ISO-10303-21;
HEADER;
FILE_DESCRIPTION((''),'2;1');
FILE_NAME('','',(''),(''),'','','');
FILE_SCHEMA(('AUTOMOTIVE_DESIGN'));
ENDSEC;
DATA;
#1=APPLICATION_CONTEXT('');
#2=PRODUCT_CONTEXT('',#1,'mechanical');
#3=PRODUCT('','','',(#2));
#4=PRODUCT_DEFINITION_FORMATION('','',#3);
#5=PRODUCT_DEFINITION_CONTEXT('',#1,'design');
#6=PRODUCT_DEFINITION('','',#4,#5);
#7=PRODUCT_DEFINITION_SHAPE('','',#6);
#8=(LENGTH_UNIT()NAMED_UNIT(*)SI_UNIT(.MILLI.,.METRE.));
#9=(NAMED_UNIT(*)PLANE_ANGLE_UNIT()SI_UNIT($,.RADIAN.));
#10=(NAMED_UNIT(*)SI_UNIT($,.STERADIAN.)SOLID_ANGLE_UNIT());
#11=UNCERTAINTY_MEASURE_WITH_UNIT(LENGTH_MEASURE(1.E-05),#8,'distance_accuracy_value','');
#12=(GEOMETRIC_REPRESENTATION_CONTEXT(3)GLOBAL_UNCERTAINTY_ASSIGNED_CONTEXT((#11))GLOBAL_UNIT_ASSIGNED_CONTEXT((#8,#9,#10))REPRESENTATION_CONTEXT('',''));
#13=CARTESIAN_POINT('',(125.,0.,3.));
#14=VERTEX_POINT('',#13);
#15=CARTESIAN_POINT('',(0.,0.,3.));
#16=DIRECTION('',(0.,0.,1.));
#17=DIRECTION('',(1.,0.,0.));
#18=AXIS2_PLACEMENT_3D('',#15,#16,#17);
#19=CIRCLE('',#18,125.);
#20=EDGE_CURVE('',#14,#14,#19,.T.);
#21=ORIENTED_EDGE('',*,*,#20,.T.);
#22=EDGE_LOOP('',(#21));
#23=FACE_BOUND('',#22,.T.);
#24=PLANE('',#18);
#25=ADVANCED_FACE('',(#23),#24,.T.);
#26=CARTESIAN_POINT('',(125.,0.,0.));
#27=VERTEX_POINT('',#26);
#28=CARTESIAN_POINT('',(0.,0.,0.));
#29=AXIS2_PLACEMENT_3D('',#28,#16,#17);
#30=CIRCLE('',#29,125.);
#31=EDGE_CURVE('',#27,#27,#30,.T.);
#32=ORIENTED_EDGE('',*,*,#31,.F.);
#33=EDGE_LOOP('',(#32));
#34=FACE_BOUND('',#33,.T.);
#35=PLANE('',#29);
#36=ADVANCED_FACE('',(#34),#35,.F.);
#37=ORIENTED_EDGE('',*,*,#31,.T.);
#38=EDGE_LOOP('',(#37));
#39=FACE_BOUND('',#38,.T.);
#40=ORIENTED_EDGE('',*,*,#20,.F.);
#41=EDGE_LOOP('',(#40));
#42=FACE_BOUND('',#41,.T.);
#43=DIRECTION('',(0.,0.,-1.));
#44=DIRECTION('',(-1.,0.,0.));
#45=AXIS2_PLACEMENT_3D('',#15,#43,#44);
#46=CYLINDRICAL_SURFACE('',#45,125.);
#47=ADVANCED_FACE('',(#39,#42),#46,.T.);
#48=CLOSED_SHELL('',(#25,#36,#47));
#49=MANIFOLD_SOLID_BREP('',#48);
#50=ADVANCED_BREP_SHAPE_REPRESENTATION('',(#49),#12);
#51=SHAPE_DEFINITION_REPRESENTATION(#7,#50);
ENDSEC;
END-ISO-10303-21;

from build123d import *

# Parameters (mm, degrees)
SKETCH1_R           = 125
BOSS_EXTRUDE1_DEPTH = 3


with BuildPart() as part:
    # Sketch1 → Boss-Extrude1 (new body)
    with BuildSketch(Plane.XY):
        Circle(SKETCH1_R)
    extrude(amount=BOSS_EXTRUDE1_DEPTH)


solid = part.part
